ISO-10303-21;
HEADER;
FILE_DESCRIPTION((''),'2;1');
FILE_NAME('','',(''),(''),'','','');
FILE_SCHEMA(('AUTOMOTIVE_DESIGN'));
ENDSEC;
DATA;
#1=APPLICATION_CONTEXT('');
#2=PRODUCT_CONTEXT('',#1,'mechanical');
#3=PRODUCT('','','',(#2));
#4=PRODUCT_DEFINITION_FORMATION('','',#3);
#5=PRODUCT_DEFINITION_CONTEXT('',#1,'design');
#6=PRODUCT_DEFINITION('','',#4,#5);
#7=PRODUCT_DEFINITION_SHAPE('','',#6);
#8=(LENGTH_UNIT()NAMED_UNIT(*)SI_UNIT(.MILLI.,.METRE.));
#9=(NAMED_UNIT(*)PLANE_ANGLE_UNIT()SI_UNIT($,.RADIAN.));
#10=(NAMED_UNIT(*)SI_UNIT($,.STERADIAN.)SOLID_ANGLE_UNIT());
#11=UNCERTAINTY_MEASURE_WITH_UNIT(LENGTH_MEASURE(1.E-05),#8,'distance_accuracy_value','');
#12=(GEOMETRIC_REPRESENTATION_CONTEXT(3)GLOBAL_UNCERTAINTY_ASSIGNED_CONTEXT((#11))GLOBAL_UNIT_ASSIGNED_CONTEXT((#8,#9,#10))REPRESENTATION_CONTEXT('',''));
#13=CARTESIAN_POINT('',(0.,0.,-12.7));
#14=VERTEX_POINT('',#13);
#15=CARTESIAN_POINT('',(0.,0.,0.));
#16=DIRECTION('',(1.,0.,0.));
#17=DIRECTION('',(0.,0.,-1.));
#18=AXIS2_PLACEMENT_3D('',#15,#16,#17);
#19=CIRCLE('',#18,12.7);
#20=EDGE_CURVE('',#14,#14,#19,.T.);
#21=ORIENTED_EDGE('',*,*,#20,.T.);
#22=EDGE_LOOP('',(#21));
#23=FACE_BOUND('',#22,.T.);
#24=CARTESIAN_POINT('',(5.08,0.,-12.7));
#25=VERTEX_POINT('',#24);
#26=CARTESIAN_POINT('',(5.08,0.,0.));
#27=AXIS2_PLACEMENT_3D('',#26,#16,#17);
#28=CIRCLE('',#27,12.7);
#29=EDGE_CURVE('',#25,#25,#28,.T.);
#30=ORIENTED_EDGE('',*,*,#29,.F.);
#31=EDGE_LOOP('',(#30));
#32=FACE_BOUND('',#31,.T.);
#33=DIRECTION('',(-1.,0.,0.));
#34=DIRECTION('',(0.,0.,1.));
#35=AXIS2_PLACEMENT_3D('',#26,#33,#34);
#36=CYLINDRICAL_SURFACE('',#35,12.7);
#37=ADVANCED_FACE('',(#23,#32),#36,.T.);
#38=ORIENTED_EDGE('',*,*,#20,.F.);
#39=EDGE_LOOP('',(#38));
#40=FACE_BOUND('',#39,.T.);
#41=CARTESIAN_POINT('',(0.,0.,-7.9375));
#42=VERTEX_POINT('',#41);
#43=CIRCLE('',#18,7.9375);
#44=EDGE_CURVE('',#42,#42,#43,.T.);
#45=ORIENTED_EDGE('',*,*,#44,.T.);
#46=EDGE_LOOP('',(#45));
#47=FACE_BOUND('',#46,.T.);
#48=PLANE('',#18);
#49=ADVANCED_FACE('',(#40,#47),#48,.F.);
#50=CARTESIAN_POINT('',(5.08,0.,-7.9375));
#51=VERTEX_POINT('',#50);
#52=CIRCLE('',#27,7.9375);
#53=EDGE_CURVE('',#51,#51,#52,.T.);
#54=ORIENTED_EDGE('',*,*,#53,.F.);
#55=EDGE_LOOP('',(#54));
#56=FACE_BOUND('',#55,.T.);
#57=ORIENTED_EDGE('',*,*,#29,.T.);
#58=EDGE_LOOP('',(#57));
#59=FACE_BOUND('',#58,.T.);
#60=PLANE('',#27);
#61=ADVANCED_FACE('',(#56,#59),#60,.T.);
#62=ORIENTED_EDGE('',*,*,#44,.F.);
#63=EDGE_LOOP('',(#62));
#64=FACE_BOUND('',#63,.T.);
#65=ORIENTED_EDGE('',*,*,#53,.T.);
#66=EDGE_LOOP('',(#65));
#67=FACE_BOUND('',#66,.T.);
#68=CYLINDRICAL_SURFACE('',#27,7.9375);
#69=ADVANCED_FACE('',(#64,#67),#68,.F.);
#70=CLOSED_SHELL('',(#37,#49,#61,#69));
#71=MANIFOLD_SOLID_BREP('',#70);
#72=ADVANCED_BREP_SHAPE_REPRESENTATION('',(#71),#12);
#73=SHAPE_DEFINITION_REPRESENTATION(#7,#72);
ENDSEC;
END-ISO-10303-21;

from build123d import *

# Parameters (mm, degrees)
SKETCH1_R                   = 12.7
BOSS_EXTRUDE1_DEPTH         = 5.08
F_97_0_625_DIAMETER_HOLE1_D = 15.875


with BuildPart() as part:
    # Sketch1 → Boss-Extrude1 (new body)
    with BuildSketch(Plane(origin=(0, 0, 0), x_dir=(0, 0, -1), z_dir=(1, 0, 0))):
        Circle(SKETCH1_R)
    extrude(amount=BOSS_EXTRUDE1_DEPTH)

    # #97 (0.625) Diameter Hole1 (through all)
    with Locations(Plane(origin=(5.08, 0, 0), x_dir=(0, 0, -1), z_dir=(1, 0, 0))):
        with Locations((0, 0)):
            Hole(F_97_0_625_DIAMETER_HOLE1_D / 2)


solid = part.part
